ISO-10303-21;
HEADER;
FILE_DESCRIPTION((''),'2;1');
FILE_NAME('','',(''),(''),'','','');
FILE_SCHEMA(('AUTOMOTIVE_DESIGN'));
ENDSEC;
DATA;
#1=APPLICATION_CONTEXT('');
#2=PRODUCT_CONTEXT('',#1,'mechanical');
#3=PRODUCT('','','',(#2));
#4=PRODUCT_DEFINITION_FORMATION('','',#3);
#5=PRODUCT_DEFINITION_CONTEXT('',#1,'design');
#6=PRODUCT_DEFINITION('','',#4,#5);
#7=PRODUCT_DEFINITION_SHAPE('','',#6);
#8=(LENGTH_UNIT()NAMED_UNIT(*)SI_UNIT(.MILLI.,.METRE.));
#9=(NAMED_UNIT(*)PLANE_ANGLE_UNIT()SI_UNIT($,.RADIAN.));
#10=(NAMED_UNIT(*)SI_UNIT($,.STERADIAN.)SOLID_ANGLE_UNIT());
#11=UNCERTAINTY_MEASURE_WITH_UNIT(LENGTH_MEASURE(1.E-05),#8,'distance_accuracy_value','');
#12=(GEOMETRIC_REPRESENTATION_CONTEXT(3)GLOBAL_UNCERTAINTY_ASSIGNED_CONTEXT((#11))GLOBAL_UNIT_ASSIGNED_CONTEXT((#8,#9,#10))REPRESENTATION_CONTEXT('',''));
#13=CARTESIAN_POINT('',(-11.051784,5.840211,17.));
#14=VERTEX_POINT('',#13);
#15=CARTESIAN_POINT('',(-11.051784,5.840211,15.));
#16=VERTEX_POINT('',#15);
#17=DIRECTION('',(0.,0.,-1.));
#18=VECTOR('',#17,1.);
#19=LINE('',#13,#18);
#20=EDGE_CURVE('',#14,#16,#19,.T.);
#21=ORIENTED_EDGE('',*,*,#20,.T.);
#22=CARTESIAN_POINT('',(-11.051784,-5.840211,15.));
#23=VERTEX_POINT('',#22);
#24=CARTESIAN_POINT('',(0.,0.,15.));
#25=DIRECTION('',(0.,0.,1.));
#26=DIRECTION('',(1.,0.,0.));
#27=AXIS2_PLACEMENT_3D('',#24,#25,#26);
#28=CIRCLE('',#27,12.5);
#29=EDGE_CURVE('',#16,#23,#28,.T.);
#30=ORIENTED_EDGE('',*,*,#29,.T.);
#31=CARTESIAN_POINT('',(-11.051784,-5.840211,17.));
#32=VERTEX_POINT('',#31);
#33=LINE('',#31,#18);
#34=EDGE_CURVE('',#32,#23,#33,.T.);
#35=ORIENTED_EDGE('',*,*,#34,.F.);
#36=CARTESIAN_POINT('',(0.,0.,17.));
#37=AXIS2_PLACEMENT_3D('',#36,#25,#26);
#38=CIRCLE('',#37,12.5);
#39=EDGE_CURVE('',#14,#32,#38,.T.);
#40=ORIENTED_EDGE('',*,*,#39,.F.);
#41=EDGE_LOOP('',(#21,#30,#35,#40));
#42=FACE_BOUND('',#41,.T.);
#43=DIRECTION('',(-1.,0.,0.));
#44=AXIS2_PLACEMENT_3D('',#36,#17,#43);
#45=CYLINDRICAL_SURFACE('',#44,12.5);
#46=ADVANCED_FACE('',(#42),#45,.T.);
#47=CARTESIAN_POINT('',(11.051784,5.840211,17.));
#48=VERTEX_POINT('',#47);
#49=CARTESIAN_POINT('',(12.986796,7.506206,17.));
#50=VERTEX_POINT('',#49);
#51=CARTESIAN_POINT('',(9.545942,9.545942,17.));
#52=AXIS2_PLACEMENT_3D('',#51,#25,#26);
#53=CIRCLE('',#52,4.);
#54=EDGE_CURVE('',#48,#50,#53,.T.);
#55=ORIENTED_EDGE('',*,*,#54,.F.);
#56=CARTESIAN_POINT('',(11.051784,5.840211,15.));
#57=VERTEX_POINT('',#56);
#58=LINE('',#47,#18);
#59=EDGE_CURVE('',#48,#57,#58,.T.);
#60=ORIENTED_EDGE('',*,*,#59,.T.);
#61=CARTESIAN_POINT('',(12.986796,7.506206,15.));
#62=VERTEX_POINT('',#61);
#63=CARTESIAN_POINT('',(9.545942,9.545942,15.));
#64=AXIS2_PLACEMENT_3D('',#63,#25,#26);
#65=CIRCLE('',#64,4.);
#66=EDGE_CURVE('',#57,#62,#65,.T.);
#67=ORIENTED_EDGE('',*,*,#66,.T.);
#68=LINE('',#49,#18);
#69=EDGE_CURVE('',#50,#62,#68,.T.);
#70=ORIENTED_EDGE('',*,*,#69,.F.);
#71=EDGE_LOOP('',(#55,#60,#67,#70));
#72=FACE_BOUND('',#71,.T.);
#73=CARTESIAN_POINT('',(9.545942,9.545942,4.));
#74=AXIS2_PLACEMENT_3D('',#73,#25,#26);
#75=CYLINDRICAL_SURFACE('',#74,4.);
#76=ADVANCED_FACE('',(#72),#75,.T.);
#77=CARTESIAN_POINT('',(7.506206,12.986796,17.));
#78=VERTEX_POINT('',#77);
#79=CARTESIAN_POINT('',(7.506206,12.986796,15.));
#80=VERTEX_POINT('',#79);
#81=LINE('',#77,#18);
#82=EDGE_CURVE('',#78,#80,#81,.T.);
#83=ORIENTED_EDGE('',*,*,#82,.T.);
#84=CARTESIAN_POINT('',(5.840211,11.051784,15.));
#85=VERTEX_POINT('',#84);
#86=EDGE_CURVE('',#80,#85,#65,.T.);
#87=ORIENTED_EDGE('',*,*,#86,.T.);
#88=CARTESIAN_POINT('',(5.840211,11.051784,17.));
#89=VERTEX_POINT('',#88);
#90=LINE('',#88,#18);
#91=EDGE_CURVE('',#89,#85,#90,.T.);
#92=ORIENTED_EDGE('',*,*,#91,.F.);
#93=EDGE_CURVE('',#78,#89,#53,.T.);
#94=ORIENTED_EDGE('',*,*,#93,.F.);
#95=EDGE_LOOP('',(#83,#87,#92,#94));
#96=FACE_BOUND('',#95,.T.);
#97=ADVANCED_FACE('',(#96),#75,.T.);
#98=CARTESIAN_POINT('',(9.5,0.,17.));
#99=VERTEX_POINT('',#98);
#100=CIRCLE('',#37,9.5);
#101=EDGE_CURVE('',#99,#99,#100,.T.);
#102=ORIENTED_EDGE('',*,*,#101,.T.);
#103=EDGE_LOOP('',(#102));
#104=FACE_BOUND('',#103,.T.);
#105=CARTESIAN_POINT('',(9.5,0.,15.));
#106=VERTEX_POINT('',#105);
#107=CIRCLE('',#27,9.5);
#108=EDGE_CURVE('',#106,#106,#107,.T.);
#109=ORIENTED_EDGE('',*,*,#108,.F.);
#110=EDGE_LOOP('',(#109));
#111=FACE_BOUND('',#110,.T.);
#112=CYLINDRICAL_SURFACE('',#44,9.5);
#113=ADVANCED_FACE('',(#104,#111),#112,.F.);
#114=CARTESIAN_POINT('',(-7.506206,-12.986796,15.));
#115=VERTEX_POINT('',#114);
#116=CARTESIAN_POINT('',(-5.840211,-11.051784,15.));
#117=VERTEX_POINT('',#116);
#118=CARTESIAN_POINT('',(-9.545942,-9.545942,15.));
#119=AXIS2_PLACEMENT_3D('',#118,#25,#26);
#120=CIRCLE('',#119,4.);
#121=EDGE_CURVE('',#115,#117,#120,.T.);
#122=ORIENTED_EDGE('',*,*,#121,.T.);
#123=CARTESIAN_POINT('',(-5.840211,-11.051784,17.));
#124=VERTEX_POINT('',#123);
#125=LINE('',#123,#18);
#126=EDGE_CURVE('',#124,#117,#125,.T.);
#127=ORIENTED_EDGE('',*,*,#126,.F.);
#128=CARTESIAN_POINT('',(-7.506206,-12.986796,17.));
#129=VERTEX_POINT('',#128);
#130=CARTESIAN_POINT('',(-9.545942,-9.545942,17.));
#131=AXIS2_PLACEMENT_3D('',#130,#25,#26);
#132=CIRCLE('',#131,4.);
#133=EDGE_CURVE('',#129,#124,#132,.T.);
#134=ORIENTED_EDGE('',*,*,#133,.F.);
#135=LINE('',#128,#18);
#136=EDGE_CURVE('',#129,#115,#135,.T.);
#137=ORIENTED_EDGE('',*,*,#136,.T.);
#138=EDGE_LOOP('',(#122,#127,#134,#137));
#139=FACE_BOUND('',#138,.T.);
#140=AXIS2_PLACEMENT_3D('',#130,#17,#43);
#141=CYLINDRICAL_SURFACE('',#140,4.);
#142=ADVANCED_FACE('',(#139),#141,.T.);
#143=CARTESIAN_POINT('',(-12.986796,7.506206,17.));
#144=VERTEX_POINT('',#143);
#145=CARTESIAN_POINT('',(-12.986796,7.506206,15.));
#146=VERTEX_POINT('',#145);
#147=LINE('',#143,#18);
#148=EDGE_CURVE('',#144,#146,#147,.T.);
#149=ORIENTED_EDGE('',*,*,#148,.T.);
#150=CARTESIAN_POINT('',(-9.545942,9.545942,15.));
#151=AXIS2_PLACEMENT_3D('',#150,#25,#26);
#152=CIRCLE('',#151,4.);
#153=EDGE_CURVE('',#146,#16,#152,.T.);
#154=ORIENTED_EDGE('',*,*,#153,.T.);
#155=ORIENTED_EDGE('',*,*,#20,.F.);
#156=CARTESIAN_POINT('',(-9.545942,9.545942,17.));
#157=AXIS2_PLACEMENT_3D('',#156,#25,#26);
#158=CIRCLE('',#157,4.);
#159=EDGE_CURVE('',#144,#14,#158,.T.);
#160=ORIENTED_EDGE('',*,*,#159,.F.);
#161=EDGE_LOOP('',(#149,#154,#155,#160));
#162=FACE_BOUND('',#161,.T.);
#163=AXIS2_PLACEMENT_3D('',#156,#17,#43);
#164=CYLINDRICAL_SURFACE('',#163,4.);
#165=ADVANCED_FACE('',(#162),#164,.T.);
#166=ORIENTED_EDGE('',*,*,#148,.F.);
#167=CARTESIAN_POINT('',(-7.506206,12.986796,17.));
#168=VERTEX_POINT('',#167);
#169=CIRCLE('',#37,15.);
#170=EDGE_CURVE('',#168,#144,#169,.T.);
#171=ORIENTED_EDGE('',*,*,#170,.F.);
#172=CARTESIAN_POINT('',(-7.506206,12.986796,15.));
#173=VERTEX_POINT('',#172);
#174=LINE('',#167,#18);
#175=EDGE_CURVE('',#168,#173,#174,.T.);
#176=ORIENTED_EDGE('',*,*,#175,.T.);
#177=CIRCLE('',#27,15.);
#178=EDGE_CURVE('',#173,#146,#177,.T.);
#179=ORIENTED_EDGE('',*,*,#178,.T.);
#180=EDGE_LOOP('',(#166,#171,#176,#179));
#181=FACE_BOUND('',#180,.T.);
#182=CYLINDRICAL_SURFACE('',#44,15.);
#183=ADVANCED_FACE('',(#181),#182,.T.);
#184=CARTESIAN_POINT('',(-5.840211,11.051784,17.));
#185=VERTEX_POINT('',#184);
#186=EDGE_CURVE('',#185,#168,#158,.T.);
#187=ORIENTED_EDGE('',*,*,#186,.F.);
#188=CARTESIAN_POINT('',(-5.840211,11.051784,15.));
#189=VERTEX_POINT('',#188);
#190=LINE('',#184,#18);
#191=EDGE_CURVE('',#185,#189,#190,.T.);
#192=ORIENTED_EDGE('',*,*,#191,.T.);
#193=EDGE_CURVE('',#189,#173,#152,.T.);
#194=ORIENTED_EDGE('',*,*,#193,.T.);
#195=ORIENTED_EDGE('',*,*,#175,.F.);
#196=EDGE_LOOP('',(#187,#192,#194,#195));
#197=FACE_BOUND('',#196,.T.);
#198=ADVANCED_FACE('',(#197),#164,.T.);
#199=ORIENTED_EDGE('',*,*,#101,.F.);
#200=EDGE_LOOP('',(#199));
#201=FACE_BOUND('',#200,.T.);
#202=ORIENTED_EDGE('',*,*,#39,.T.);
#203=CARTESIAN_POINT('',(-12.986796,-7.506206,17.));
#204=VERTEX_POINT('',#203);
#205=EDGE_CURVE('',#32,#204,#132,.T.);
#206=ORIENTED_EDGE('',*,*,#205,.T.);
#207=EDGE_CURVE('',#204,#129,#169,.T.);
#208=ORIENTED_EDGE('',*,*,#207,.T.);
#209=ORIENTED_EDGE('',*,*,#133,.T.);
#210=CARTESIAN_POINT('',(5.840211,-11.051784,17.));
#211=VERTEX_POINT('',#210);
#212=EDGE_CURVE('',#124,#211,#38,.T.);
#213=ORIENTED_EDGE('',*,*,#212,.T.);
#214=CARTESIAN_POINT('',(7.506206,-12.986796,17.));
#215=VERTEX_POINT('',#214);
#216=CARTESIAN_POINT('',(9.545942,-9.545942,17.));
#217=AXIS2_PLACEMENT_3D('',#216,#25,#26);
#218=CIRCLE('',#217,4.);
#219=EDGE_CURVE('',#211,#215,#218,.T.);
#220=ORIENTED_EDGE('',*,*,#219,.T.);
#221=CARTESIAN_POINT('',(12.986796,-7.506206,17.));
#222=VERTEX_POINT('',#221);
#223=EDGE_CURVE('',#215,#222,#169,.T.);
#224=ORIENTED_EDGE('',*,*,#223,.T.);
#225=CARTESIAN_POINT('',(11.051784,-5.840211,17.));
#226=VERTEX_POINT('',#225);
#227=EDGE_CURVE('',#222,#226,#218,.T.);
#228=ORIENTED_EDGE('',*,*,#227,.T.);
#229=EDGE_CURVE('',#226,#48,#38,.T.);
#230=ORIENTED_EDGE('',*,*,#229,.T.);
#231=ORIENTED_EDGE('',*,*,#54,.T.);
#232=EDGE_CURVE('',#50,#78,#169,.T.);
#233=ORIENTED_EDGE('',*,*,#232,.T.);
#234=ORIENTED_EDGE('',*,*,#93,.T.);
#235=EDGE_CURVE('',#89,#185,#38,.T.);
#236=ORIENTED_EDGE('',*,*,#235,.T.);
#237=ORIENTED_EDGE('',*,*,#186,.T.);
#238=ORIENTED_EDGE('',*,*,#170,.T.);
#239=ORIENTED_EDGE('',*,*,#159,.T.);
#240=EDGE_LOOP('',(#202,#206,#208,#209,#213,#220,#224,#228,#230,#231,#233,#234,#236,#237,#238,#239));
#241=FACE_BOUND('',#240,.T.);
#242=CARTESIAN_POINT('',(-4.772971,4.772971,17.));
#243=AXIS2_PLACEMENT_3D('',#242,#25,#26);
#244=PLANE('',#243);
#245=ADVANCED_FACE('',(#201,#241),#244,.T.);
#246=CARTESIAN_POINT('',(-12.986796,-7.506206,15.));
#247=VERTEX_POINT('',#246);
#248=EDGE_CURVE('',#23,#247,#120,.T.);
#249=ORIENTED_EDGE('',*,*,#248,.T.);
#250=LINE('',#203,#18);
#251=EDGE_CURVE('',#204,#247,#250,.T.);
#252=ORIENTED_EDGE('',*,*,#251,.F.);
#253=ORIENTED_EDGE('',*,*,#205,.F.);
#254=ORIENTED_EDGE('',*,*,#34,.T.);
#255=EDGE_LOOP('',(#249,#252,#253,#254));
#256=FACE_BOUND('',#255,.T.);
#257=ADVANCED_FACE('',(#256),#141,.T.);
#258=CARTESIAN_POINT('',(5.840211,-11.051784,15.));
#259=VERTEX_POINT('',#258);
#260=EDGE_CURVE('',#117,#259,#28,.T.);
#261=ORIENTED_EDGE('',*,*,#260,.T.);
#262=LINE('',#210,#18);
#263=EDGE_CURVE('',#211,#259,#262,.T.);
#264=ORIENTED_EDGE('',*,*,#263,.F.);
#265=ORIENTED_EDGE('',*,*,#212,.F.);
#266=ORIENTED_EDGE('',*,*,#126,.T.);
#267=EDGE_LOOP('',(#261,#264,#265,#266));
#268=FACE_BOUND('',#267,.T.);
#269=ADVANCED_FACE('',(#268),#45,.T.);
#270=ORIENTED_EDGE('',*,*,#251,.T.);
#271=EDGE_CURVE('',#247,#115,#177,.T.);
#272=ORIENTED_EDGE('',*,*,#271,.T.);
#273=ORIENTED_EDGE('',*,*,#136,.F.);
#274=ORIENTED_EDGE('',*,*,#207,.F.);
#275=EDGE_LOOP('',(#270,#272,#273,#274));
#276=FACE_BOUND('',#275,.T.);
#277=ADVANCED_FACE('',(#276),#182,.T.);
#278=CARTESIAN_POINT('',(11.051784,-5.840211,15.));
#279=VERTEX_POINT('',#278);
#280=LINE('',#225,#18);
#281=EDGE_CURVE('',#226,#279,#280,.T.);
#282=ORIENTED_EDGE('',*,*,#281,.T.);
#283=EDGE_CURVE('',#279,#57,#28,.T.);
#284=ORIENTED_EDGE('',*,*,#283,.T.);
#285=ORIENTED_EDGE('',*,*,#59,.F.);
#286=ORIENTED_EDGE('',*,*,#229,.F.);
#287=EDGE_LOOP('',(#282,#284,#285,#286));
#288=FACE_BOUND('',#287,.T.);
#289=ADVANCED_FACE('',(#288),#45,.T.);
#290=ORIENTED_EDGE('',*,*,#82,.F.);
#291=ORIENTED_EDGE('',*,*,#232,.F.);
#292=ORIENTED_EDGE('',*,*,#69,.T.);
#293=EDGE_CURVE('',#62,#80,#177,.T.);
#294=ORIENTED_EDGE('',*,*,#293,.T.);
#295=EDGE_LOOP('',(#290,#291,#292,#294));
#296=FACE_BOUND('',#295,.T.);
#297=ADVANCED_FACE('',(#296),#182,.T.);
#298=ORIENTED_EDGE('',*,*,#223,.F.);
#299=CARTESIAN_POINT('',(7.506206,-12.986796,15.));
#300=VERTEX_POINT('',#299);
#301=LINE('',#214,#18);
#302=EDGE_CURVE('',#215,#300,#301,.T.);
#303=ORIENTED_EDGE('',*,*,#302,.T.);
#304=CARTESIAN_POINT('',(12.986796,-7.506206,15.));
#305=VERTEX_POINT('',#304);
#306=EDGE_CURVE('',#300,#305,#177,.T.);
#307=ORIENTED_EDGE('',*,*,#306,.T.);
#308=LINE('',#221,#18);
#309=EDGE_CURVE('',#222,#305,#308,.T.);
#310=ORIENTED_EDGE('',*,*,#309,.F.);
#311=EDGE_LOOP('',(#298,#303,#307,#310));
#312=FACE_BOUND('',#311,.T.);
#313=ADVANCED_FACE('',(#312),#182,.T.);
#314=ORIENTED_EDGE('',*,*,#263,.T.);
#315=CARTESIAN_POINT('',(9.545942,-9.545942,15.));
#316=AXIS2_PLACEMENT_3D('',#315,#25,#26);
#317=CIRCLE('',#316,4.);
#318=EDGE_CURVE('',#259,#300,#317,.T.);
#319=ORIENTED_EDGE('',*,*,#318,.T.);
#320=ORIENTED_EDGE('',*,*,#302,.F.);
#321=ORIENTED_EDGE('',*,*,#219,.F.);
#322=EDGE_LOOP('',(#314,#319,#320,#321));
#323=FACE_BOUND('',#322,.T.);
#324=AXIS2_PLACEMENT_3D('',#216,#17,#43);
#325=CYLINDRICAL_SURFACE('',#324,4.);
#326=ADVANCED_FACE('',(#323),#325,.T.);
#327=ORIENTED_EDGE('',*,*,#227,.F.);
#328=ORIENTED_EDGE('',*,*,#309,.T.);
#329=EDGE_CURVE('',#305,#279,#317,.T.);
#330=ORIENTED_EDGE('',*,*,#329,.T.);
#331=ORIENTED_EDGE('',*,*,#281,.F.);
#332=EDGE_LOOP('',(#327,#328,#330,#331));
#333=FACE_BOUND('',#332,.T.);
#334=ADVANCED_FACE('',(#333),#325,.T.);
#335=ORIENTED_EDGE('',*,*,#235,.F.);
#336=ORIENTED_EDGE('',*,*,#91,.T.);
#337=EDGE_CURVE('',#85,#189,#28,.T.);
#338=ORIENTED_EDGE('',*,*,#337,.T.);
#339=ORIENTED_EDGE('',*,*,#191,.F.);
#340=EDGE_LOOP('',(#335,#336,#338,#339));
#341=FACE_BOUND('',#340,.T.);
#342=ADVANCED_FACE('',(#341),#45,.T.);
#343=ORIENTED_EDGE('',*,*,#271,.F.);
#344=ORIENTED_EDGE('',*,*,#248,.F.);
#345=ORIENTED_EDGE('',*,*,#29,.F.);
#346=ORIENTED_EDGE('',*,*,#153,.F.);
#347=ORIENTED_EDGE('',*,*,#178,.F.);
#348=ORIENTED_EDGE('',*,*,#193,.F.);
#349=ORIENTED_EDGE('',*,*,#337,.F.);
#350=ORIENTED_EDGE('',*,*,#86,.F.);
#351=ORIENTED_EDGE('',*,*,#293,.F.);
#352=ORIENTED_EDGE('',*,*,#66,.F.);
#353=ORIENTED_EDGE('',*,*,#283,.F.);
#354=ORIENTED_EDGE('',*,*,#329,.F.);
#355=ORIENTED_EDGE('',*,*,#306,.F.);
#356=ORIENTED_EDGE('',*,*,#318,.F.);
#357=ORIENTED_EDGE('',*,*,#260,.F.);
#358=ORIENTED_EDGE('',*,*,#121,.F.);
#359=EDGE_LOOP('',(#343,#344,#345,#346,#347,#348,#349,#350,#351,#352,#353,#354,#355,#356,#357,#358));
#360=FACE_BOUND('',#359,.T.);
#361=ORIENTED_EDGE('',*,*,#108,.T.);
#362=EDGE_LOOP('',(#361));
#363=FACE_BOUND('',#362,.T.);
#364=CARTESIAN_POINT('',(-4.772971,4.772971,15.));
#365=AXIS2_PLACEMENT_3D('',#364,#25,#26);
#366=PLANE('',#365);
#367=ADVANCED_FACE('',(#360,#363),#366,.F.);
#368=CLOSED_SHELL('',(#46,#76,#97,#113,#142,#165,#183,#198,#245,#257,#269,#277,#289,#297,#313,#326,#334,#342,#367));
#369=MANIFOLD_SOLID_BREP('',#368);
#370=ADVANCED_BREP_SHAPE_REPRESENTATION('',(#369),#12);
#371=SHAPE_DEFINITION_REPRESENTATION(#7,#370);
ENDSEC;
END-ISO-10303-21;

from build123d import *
from build123d.topology import SkipClean

# Parameters (mm, degrees)
SKETCH3_R             = 4
BOSS_EXTRUDE1_DEPTH   = 11
BOSS_EXTRUDE1_2_DEPTH = 11
BOSS_EXTRUDE1_3_DEPTH = 11
BOSS_EXTRUDE1_4_DEPTH = 11
BOSS_EXTRUDE6_START   = 2
SKETCH6_R             = 9.5
BOSS_EXTRUDE6_DEPTH   = 2
SKETCH7_R             = 19.191160133
CUT_EXTRUDE1_DEPTH    = 11


with BuildPart() as part:
    # Sketch3 → Boss-Extrude1 (new body)
    with BuildSketch(Plane(origin=(0, 0, 15), x_dir=(-1, 0, 0), z_dir=(0, 0, -1))):
        with Locations((-9.545941546, 9.545941546)):
            Circle(SKETCH3_R)
    extrude(amount=BOSS_EXTRUDE1_DEPTH)



with BuildPart() as body_2:
    # Sketch3 → Boss-Extrude1 2 (new body)
    with BuildSketch(Plane(origin=(0, 0, 15), x_dir=(-1, 0, 0), z_dir=(0, 0, -1))):
        with Locations((9.545941546, 9.545941546)):
            Circle(SKETCH3_R)
    extrude(amount=BOSS_EXTRUDE1_2_DEPTH)


with BuildPart() as body_3:
    # Sketch3 → Boss-Extrude1 3 (new body)
    with BuildSketch(Plane(origin=(0, 0, 15), x_dir=(-1, 0, 0), z_dir=(0, 0, -1))):
        with Locations((9.545941546, -9.545941546)):
            Circle(SKETCH3_R)
    extrude(amount=BOSS_EXTRUDE1_3_DEPTH)


with BuildPart() as body_4:
    # Sketch3 → Boss-Extrude1 4 (new body)
    with BuildSketch(Plane(origin=(0, 0, 15), x_dir=(-1, 0, 0), z_dir=(0, 0, -1))):
        with Locations((-9.545941546, -9.545941546)):
            Circle(SKETCH3_R)
    extrude(amount=BOSS_EXTRUDE1_4_DEPTH)


with BuildPart() as part_1:
    with SkipClean():  # the faces are left unmerged after this step: merging them gives an invalid solid
        add(part.part)

        add(body_2.part)  # Boss-Extrude6 merges body 2

        add(body_3.part)  # Boss-Extrude6 merges body 3

        add(body_4.part)  # Boss-Extrude6 merges body 4
        # Sketch6 → Boss-Extrude6 (add)
        with BuildSketch(Plane.XY.offset(15).offset(BOSS_EXTRUDE6_START)):
            with BuildLine():
                ThreePointArc((-5.840211131, 11.051784197), (-6.514660932, 12.155795534), (-7.506206096, 12.986795988))
                ThreePointArc((-7.506206096, 12.986795988), (-10.606601718, 10.606601718), (-12.986795988, 7.506206096))
                ThreePointArc((-12.986795988, 7.506206096), (-12.155795534, 6.514660932), (-11.051784197, 5.840211131))
                ThreePointArc((-11.051784197, 5.840211131), (-12.5, 0), (-11.051784197, -5.840211131))
                ThreePointArc((-11.051784197, -5.840211131), (-12.155795534, -6.514660932), (-12.986795988, -7.506206096))
                ThreePointArc((-12.986795988, -7.506206096), (-10.606601718, -10.606601718), (-7.506206096, -12.986795988))
                ThreePointArc((-7.506206096, -12.986795988), (-6.514660932, -12.155795534), (-5.840211131, -11.051784197))
                ThreePointArc((-5.840211131, -11.051784197), (0, -12.5), (5.840211131, -11.051784197))
                ThreePointArc((5.840211131, -11.051784197), (6.514660932, -12.155795534), (7.506206096, -12.986795988))
                ThreePointArc((7.506206096, -12.986795988), (10.606601718, -10.606601718), (12.986795988, -7.506206096))
                ThreePointArc((12.986795988, -7.506206096), (12.155795534, -6.514660932), (11.051784197, -5.840211131))
                ThreePointArc((11.051784197, -5.840211131), (12.5, 0), (11.051784197, 5.840211131))
                ThreePointArc((11.051784197, 5.840211131), (12.155795534, 6.514660932), (12.986795988, 7.506206096))
                ThreePointArc((12.986795988, 7.506206096), (10.606601718, 10.606601718), (7.506206096, 12.986795988))
                ThreePointArc((7.506206096, 12.986795988), (6.514660932, 12.155795534), (5.840211131, 11.051784197))
                ThreePointArc((5.840211131, 11.051784197), (0, 12.5), (-5.840211131, 11.051784197))
            make_face()
            Circle(SKETCH6_R, mode=Mode.SUBTRACT)
        extrude(amount=-BOSS_EXTRUDE6_DEPTH)

    # Sketch7 → Cut-Extrude1 (cut)
    with BuildSketch(Plane(origin=(0, 0, 4), x_dir=(-1, 0, 0), z_dir=(0, 0, -1))):
        Circle(SKETCH7_R)
    extrude(amount=-CUT_EXTRUDE1_DEPTH, mode=Mode.SUBTRACT)


solid = part_1.part
